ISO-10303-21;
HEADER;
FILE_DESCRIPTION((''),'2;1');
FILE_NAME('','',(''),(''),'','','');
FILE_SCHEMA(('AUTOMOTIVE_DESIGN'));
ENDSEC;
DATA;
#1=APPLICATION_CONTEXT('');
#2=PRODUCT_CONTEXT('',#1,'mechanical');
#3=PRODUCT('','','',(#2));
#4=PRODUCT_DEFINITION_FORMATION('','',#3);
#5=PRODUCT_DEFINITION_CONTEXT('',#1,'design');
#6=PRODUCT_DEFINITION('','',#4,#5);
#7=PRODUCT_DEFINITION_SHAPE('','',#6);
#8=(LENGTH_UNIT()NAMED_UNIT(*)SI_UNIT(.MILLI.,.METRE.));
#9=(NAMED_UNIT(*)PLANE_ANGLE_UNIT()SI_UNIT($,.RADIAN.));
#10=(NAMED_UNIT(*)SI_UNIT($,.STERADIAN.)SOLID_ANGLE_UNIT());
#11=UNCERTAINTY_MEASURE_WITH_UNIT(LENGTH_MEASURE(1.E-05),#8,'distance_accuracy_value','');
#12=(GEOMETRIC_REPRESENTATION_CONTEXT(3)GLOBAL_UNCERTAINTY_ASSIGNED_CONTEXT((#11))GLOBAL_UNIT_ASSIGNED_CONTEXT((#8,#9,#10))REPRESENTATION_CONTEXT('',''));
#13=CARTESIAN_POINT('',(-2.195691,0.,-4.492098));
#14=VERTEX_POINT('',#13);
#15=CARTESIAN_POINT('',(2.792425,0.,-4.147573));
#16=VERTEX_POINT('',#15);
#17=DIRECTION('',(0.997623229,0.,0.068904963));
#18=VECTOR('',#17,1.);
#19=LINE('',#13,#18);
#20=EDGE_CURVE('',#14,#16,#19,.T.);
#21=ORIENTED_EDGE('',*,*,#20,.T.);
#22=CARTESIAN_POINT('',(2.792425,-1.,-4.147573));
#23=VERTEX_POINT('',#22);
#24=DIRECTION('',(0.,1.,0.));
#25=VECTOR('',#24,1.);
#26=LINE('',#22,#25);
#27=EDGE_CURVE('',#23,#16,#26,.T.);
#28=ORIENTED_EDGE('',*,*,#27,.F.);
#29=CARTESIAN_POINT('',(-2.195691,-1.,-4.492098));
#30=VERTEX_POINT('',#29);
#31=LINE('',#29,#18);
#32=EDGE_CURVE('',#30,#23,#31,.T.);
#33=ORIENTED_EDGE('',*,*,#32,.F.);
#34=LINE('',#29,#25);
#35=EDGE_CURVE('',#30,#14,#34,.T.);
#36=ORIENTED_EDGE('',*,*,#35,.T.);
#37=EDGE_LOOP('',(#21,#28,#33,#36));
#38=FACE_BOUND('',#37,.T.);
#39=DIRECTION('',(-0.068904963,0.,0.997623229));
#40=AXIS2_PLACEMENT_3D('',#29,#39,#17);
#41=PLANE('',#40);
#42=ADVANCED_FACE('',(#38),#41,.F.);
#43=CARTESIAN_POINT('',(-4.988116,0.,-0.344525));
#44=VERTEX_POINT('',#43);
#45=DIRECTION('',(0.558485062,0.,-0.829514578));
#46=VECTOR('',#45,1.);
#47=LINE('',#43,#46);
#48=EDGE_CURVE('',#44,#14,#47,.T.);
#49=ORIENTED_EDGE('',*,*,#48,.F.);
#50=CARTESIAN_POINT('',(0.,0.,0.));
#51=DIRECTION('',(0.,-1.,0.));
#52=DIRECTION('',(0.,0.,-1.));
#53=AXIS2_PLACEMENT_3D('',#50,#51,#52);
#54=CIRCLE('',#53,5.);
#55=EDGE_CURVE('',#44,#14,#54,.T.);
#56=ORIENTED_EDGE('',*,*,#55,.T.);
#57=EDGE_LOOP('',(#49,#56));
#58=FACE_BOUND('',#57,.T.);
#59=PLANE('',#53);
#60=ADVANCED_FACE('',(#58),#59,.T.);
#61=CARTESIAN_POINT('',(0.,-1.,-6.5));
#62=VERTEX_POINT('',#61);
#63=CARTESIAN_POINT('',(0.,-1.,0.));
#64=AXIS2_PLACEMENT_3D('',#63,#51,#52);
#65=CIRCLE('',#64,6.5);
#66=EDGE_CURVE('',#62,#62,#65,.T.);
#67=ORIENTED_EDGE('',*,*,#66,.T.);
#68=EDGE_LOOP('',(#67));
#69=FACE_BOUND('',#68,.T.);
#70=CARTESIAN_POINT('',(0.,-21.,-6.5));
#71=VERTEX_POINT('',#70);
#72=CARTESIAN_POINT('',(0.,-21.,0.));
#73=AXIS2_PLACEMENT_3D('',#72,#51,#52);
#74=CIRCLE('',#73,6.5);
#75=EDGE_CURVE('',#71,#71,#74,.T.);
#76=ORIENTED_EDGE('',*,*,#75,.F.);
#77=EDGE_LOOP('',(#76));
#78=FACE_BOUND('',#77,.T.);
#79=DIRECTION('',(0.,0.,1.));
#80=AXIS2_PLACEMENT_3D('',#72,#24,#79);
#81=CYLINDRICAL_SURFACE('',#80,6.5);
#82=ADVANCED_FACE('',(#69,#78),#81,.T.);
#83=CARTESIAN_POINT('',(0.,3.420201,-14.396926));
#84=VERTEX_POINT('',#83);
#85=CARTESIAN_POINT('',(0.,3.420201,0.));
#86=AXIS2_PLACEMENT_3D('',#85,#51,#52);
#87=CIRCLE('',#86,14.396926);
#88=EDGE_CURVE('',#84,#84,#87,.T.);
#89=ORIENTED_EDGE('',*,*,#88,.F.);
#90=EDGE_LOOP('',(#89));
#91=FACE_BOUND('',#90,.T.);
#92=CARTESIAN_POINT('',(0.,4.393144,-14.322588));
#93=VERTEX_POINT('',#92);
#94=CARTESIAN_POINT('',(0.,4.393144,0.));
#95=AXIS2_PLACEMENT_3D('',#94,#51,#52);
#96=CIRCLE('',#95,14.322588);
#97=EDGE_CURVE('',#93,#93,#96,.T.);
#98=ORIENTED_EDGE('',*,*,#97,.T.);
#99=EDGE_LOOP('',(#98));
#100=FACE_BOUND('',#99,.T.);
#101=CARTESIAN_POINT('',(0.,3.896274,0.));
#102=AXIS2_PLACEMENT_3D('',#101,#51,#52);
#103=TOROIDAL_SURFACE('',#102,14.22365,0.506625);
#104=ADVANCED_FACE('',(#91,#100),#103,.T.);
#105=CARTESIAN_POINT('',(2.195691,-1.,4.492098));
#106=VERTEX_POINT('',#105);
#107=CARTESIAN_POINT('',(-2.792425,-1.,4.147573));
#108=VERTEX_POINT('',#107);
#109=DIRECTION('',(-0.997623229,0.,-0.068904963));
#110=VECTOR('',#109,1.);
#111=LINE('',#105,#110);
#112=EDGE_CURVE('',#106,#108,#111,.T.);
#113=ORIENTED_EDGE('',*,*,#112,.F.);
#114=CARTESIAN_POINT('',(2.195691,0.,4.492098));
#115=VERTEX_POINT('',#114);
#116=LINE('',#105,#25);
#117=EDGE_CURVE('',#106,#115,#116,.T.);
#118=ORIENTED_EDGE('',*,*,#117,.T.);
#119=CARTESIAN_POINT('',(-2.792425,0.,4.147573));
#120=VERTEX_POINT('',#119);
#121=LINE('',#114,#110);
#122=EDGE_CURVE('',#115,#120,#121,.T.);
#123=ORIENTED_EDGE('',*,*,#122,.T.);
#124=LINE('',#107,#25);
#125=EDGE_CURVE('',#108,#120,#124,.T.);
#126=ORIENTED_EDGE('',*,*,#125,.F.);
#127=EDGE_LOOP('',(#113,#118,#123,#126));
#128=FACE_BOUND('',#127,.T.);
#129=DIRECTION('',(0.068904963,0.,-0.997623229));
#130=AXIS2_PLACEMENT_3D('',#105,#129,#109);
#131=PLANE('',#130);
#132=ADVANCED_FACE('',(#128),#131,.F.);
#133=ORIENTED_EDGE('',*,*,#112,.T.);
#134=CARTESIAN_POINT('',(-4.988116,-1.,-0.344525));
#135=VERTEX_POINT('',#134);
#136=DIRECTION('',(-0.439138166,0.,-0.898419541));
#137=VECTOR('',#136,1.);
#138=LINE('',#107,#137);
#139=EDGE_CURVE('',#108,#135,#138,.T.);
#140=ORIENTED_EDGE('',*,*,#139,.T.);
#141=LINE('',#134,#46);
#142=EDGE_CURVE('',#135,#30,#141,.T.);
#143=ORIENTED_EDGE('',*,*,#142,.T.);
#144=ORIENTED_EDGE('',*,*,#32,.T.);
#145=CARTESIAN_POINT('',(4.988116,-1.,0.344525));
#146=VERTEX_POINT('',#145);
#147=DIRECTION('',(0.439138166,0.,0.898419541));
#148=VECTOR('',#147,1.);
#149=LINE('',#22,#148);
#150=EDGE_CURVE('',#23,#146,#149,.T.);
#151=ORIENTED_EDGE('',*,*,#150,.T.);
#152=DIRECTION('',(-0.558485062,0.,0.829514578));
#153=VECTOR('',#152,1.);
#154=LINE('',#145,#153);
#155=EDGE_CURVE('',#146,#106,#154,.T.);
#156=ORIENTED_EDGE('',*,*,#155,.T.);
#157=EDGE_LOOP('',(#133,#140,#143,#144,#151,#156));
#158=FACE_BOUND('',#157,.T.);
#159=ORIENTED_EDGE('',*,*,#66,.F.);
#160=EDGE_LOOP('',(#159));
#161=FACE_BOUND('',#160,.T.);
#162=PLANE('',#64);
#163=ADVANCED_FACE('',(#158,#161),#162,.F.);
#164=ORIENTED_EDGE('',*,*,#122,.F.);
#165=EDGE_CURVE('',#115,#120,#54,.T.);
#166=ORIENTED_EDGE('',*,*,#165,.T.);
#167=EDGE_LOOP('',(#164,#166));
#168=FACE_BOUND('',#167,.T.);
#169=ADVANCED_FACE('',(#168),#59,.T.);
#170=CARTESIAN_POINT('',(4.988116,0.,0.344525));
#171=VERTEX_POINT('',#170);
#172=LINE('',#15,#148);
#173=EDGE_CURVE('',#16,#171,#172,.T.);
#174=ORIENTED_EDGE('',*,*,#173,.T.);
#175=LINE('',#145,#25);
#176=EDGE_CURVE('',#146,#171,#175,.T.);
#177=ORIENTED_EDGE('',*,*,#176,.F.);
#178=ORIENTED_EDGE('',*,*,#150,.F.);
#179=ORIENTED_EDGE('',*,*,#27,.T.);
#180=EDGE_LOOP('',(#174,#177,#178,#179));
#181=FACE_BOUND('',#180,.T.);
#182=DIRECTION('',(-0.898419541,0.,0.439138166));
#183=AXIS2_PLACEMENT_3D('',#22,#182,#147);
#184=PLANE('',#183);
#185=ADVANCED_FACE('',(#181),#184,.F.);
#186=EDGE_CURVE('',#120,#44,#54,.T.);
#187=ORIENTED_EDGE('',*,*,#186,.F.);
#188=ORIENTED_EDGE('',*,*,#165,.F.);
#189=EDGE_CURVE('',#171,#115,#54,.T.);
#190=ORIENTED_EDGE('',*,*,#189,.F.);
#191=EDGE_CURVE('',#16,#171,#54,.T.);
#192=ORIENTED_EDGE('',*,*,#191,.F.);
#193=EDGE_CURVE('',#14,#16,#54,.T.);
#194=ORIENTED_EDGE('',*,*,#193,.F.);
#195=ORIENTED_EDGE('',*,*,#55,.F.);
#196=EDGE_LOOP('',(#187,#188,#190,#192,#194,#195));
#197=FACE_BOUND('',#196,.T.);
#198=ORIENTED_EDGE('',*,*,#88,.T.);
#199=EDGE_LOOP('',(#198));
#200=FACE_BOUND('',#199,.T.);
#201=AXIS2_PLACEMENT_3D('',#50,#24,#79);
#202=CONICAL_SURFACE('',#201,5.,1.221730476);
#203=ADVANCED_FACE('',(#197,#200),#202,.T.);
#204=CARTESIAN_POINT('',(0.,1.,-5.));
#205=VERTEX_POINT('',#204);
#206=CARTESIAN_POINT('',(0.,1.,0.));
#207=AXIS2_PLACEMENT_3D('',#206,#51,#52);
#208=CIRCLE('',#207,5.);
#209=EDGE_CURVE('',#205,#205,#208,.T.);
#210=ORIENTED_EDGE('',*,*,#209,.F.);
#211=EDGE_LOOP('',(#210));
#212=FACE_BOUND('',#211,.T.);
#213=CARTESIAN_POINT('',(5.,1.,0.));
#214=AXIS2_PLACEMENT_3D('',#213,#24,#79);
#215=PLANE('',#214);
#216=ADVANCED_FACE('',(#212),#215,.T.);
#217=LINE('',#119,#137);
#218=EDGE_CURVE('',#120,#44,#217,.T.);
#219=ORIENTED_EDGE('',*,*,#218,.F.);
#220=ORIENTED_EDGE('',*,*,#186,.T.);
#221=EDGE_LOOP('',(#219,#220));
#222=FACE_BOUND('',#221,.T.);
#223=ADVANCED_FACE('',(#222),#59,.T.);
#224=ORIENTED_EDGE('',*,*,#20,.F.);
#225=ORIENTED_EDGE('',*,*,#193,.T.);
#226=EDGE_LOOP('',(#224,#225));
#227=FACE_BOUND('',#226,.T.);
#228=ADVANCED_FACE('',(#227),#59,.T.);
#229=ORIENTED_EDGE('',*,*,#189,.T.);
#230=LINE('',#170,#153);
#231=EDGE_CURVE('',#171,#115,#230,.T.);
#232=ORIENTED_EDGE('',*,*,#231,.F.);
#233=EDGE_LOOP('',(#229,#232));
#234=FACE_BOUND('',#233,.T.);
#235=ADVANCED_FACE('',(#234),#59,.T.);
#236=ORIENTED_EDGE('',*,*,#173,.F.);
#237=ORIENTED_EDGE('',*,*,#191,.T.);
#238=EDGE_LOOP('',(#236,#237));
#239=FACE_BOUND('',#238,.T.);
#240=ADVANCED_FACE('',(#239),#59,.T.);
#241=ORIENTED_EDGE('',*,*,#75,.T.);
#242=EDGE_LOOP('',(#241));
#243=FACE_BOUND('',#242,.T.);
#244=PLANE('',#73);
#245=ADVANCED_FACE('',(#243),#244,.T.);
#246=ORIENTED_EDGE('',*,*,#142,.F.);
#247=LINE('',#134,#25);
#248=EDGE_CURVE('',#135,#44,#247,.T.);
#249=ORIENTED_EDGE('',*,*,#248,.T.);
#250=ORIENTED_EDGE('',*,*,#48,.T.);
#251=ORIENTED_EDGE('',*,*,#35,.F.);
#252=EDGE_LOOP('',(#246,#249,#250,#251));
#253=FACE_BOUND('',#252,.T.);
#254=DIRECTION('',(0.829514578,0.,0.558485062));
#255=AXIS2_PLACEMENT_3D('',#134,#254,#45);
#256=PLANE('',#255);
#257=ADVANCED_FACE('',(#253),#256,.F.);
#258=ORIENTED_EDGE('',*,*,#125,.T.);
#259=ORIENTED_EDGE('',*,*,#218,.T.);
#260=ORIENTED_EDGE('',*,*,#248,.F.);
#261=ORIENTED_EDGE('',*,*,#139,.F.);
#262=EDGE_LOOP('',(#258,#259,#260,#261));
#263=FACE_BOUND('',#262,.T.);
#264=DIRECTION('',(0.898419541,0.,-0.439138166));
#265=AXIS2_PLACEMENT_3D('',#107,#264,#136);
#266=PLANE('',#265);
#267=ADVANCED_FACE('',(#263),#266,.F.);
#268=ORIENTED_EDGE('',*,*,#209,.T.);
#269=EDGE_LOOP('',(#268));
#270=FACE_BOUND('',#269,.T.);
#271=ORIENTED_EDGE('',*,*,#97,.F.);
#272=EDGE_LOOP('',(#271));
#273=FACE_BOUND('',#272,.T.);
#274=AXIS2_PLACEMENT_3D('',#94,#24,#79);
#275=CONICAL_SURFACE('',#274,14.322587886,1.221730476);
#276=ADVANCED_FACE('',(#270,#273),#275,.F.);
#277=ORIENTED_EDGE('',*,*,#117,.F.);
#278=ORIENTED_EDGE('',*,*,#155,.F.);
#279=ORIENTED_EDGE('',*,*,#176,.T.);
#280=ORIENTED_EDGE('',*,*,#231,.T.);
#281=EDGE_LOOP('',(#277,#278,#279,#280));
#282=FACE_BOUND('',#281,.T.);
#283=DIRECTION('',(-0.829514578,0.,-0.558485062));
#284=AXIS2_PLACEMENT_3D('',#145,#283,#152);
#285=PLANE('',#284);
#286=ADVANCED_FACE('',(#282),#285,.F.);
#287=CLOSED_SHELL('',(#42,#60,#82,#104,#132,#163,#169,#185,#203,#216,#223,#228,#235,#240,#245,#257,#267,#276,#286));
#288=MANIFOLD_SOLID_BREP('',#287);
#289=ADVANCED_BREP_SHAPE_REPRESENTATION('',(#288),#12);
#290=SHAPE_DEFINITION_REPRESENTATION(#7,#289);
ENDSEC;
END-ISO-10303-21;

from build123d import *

# Parameters (mm, degrees)
BOSS_EXTRU_1_DEPTH  = 1
SKETCH1_R           = 6.5
BOSS_EXTRUDE1_DEPTH = 20


with BuildPart() as part:
    # Esquisse1 → Révolution1 (revolve)
    with BuildSketch(Plane.XY, mode=Mode.PRIVATE) as r_volution1_sk:
        with BuildLine():
            Line((0, 0), (5, 0))
            Line((5, 0), (14.396926208, 3.420201433))
            ThreePointArc((14.396926208, 3.420201433), (14.728803197, 3.934870166), (14.322587886, 4.393144497))
            Line((14.322587886, 4.393144497), (5, 1))
            Line((5, 1), (0, 1))
            Line((0, 1), (0, 0))
        make_face()
    revolve(r_volution1_sk.sketch.rotate(Axis((0, 0, 0), (0, 1, 0)), 90), axis=Axis((0, 0, 0), (0, 1, 0)))

    # Esquisse2 → Boss.-Extru.1 (add)
    with BuildSketch(Plane.XZ):
        Polygon((2.792425312, -4.14757289), (4.988116143, 0.344524813), (2.195690831, 4.492097703), (-2.792425312, 4.14757289), (-4.988116143, -0.344524813), (-2.195690831, -4.492097703), align=None)
    extrude(amount=BOSS_EXTRU_1_DEPTH)

    # Sketch1 → Boss-Extrude1 (add)
    with BuildSketch(Plane.XZ.offset(1)):
        with Locations(Location((0, 0, 0), (0, 0, 270))):
            Circle(SKETCH1_R)
    extrude(amount=BOSS_EXTRUDE1_DEPTH)


solid = part.part
